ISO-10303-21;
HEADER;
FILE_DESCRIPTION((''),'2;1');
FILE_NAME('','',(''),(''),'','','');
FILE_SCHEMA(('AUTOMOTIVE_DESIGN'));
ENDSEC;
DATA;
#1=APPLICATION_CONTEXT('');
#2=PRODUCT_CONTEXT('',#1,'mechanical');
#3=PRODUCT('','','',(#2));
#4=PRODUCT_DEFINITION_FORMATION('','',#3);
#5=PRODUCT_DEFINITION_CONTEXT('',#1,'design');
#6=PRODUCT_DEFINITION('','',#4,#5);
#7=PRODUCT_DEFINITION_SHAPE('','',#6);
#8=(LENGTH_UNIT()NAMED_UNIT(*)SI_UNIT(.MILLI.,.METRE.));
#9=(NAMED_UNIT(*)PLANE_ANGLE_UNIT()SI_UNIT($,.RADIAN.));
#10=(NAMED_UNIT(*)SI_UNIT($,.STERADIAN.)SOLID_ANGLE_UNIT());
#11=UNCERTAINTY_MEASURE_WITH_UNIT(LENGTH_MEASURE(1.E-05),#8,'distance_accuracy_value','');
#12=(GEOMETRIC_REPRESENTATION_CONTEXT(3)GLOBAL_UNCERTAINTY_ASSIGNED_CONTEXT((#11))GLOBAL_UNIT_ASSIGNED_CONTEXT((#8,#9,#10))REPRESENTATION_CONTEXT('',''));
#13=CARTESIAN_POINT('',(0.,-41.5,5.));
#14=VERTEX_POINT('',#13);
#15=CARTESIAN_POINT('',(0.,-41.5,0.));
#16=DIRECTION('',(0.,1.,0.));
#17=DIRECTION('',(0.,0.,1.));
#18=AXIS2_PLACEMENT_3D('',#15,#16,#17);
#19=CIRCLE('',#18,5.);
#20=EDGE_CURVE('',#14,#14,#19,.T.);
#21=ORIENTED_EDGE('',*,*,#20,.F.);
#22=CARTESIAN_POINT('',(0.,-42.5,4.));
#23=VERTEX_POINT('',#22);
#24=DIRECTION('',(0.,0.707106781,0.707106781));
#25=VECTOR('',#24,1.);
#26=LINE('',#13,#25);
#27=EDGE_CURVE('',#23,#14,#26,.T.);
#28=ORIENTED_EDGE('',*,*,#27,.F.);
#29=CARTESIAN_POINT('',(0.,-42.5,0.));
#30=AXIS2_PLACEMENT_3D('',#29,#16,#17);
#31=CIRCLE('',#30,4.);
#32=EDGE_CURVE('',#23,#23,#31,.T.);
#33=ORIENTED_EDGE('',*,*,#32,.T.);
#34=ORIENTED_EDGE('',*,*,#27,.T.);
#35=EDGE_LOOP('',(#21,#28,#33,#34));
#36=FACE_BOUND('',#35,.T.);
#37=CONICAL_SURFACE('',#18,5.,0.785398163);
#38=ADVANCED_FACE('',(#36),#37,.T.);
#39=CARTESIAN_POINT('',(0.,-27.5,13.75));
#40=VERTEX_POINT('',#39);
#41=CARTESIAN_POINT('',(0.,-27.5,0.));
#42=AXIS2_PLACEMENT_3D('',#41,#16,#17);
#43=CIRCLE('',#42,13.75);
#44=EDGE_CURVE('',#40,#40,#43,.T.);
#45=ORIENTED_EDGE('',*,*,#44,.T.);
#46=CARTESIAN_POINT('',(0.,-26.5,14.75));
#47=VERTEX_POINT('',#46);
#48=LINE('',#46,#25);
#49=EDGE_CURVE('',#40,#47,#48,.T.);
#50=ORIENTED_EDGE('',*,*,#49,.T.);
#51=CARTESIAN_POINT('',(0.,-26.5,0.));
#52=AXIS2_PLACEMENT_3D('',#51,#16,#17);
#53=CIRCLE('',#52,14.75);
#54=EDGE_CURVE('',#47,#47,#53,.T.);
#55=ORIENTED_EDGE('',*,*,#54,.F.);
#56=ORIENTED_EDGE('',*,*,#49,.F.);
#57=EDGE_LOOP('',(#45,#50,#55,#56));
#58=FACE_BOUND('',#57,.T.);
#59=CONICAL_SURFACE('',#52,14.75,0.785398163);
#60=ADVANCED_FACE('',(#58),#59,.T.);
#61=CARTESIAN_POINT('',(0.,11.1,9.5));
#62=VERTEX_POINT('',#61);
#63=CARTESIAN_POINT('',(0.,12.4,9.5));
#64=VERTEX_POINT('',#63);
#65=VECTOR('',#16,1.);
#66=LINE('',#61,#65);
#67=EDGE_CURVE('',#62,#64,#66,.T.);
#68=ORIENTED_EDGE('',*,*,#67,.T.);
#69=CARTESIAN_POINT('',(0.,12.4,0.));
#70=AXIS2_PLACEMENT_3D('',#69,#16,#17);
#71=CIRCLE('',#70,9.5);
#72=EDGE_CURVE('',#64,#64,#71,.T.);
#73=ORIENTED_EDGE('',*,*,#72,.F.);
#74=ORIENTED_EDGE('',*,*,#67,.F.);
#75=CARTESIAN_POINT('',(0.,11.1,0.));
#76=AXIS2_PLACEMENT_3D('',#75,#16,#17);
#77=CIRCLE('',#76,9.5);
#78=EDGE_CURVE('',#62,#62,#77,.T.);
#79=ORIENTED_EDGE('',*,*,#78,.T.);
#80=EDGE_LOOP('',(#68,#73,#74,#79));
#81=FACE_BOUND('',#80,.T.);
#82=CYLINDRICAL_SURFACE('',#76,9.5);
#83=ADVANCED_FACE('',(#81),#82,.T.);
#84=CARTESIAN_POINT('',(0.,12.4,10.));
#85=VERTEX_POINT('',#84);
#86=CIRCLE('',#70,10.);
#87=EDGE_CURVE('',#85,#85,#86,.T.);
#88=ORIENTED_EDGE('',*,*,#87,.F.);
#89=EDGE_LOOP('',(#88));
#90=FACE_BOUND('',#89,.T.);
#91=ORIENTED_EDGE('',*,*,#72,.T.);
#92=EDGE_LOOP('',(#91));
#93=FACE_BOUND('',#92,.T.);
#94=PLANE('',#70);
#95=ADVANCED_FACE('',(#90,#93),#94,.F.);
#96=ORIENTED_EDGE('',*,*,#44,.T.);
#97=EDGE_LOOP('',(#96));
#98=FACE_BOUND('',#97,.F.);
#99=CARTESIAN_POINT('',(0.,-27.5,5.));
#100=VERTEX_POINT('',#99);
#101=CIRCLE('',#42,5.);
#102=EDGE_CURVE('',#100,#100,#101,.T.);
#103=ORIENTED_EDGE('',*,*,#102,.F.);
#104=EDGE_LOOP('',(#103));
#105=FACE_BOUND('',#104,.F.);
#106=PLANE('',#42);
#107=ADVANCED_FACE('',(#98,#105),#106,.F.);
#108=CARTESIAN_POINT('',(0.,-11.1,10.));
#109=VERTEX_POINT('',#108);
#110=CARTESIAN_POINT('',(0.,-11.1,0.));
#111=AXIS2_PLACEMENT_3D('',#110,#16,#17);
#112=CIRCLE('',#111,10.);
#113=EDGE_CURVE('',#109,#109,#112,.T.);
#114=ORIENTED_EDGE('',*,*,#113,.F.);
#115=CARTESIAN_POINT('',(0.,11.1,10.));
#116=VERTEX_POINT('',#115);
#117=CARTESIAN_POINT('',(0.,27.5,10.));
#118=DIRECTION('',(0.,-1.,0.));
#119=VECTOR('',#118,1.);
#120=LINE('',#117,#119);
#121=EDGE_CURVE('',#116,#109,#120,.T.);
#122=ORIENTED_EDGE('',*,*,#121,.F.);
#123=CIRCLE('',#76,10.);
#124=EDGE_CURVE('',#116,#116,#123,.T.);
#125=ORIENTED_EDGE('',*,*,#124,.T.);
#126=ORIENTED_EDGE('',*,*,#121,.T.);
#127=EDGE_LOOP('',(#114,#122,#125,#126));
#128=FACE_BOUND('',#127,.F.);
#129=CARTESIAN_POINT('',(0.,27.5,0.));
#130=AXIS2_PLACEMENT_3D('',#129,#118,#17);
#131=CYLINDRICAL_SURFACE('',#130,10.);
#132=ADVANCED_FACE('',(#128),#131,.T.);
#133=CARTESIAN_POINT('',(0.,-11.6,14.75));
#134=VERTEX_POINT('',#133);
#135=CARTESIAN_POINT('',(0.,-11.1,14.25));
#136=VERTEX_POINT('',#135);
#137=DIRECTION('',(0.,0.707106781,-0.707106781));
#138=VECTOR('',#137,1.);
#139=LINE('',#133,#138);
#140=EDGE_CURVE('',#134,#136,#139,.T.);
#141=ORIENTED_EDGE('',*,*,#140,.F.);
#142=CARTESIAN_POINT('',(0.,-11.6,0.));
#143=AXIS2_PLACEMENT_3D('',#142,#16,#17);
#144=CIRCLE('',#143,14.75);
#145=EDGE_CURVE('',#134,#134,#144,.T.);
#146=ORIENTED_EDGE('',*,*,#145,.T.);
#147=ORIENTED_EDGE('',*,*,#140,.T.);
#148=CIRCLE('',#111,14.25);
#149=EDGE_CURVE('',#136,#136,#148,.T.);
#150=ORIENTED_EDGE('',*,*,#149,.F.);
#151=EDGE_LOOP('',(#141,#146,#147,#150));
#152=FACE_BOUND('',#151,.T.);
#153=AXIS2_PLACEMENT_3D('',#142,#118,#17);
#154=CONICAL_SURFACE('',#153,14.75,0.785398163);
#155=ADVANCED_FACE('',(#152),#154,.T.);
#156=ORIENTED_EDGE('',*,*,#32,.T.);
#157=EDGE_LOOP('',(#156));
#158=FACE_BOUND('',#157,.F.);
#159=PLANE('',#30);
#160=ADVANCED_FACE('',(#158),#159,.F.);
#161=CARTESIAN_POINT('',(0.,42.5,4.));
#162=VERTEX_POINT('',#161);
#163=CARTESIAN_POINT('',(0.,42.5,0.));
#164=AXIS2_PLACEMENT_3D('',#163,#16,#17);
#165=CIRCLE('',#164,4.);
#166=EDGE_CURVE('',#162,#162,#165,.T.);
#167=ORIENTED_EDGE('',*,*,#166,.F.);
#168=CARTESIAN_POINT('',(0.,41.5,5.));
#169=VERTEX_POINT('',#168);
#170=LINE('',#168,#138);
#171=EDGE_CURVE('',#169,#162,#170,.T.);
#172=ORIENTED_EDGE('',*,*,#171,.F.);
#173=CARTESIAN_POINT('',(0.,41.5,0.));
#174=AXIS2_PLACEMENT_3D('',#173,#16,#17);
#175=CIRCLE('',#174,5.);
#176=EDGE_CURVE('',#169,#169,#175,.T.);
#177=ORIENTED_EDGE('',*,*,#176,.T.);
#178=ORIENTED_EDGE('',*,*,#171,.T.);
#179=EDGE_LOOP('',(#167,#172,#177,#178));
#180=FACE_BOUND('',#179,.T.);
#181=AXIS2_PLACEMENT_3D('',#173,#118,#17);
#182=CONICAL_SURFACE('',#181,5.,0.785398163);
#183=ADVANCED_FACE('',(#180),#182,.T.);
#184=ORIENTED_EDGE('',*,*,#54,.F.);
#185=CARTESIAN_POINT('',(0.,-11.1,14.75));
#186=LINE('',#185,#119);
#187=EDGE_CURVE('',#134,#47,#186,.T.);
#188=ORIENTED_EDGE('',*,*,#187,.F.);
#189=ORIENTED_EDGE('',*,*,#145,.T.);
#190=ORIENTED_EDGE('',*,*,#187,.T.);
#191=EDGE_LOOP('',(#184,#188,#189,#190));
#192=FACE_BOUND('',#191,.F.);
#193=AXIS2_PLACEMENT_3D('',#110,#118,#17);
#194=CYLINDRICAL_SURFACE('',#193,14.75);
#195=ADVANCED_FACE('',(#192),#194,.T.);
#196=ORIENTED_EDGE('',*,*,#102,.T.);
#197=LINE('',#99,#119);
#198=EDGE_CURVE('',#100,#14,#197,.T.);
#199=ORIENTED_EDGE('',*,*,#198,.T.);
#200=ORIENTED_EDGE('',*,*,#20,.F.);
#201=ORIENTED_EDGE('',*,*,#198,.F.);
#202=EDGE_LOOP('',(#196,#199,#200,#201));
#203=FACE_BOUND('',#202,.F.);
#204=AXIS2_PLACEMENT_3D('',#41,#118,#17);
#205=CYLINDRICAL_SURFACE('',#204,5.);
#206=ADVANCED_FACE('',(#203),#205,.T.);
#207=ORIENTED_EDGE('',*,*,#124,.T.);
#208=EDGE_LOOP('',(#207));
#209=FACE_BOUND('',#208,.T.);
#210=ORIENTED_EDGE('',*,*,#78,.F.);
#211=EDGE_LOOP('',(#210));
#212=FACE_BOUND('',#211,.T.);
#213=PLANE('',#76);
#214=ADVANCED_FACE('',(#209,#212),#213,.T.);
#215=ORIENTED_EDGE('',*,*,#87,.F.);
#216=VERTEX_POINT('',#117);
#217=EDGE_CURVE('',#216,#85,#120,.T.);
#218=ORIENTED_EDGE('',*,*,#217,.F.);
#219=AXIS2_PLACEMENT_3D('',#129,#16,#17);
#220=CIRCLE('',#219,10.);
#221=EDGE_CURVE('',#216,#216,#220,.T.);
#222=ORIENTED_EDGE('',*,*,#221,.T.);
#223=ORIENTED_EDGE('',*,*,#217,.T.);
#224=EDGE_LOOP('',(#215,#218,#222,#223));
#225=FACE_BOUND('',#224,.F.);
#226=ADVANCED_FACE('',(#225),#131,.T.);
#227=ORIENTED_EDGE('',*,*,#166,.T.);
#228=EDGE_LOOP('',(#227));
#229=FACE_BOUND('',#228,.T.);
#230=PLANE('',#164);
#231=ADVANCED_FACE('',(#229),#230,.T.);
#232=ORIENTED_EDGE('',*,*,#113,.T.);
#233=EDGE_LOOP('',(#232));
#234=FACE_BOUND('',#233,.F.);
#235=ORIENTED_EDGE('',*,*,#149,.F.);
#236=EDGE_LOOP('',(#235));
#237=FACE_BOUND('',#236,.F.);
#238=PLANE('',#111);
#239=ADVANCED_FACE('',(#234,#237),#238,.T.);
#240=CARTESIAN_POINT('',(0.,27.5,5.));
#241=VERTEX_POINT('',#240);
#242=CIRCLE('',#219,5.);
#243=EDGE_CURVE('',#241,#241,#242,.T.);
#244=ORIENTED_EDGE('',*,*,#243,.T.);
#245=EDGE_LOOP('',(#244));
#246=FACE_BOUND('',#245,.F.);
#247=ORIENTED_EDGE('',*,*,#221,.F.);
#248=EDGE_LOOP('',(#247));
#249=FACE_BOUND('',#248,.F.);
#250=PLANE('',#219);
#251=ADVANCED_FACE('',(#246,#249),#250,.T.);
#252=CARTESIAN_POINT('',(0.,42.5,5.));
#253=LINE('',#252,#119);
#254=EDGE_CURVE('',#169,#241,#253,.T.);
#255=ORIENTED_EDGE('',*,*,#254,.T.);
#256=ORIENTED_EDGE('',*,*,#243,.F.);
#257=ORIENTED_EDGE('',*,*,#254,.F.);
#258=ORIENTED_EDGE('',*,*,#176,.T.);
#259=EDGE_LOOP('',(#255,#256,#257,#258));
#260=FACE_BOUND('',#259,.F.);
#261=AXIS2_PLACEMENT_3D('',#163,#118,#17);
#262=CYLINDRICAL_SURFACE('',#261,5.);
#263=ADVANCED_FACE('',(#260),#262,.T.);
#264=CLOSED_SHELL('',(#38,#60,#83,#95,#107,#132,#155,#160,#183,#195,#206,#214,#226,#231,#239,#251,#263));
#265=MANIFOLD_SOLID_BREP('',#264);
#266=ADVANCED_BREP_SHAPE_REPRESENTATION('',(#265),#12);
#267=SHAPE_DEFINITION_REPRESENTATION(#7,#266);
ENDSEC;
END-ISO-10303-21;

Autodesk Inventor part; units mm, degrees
ref_plane "YZ Plane" through (0, 0, 0) normal (1, 0, 0) x (0, 1, 0)
ref_plane "XZ Plane" through (0, 0, 0) normal (0, 1, 0) x (-1, 0, 0)
ref_plane "XY Plane" through (0, 0, 0) normal (0, 0, 1) x (1, 0, 0)
sketch "Skizze1" plane through (0, 0, 0) normal (1, 0, 0) x (0, 1, 0)
  line L0 (0, 17.7) -> (0, -2.95) construction
  line L1 (-59.5, 0) -> (59.5, 0) projected
  line L2 (42.5, 5) -> (42.5, 0)
  line L3 (42.5, 5) -> (27.5, 5)
  line L4 (27.5, 5) -> (27.5, 10)
  line L5 (27.5, 10) -> (-11.1, 10)
  line L6 (-11.1, 10) -> (-11.1, 14.75)
  line L7 (-11.1, 14.75) -> (-27.5, 14.75)
  line L8 (-27.5, 14.75) -> (-27.5, 5)
  line L9 (-27.5, 5) -> (-42.5, 5)
  line L10 (-42.5, 5) -> (-42.5, 0)
  line L11 (-11.1, 14.75) -> (11.1, 14.75) construction
  line L12 (11.1, 14.75) -> (11.1, 10) construction
  line L13 (-42.5, 0) -> (42.5, 0)
  point P0 (0, 0)
  dimension "d0" = 10
  dimension "d1" = 15
  dimension "d2" = 22.2
  dimension "d3" = 55
  dimension "d4" = 20
  dimension "d5" = 29.5
revolve "Grundkörper" add sketch "Skizze1" angle 360 about axis through (0, 0, 0) along (0, 1, 0)
sketch "Skizze2" plane through (0, 0, 0) normal (1, 0, 0) x (0, 1, 0)
  line L0 (-18.82, 0) -> (35.22, 0) construction
  line L1 (-11.1, -14.75) -> (-11.1, 14.75) construction
  line L2 (-11.1, 10) -> (27.5, 10) projected
  line L3 (-11.1, 10) -> (-11.1, 14.75)
  line L4 (-11.1, 14.75) -> (11.1, 14.75)
  line L5 (11.1, 14.75) -> (11.1, 10)
  line L6 (11.1, 10) -> (-11.1, 10)
  line L7 (0, 20.65) -> (0, -20.65) construction
  line L8 (11.1, 10) -> (11.1, 9.5)
  line L9 (11.1, 9.5) -> (12.4, 9.5)
  line L10 (12.4, 9.5) -> (12.4, 10)
  line L11 (11.1, 10) -> (12.4, 10)
  point P0 (0, 0)
  dimension "d15" = 1.3
  dimension "d16" = 19
revolve "Nut_Sicherungsring_DIN471-20x1,2" cut sketch "Skizze2" angle 360 about axis through (0, 0, 0) along (0, 1, 0) contours L2 L10 L9 L8
chamfer "FaseAllgemein" distance 1 angle 45 3 edges at (0, -42.5, -5) (0, 42.5, -5) (0, -27.5, -14.75)
chamfer "FaseLager" distance 0.5 angle 45 1 edges at (0, -11.1, -14.75)
properties part number "200-40-BOGIE-CONNECTOR-05" material "Aluminium 6061"
